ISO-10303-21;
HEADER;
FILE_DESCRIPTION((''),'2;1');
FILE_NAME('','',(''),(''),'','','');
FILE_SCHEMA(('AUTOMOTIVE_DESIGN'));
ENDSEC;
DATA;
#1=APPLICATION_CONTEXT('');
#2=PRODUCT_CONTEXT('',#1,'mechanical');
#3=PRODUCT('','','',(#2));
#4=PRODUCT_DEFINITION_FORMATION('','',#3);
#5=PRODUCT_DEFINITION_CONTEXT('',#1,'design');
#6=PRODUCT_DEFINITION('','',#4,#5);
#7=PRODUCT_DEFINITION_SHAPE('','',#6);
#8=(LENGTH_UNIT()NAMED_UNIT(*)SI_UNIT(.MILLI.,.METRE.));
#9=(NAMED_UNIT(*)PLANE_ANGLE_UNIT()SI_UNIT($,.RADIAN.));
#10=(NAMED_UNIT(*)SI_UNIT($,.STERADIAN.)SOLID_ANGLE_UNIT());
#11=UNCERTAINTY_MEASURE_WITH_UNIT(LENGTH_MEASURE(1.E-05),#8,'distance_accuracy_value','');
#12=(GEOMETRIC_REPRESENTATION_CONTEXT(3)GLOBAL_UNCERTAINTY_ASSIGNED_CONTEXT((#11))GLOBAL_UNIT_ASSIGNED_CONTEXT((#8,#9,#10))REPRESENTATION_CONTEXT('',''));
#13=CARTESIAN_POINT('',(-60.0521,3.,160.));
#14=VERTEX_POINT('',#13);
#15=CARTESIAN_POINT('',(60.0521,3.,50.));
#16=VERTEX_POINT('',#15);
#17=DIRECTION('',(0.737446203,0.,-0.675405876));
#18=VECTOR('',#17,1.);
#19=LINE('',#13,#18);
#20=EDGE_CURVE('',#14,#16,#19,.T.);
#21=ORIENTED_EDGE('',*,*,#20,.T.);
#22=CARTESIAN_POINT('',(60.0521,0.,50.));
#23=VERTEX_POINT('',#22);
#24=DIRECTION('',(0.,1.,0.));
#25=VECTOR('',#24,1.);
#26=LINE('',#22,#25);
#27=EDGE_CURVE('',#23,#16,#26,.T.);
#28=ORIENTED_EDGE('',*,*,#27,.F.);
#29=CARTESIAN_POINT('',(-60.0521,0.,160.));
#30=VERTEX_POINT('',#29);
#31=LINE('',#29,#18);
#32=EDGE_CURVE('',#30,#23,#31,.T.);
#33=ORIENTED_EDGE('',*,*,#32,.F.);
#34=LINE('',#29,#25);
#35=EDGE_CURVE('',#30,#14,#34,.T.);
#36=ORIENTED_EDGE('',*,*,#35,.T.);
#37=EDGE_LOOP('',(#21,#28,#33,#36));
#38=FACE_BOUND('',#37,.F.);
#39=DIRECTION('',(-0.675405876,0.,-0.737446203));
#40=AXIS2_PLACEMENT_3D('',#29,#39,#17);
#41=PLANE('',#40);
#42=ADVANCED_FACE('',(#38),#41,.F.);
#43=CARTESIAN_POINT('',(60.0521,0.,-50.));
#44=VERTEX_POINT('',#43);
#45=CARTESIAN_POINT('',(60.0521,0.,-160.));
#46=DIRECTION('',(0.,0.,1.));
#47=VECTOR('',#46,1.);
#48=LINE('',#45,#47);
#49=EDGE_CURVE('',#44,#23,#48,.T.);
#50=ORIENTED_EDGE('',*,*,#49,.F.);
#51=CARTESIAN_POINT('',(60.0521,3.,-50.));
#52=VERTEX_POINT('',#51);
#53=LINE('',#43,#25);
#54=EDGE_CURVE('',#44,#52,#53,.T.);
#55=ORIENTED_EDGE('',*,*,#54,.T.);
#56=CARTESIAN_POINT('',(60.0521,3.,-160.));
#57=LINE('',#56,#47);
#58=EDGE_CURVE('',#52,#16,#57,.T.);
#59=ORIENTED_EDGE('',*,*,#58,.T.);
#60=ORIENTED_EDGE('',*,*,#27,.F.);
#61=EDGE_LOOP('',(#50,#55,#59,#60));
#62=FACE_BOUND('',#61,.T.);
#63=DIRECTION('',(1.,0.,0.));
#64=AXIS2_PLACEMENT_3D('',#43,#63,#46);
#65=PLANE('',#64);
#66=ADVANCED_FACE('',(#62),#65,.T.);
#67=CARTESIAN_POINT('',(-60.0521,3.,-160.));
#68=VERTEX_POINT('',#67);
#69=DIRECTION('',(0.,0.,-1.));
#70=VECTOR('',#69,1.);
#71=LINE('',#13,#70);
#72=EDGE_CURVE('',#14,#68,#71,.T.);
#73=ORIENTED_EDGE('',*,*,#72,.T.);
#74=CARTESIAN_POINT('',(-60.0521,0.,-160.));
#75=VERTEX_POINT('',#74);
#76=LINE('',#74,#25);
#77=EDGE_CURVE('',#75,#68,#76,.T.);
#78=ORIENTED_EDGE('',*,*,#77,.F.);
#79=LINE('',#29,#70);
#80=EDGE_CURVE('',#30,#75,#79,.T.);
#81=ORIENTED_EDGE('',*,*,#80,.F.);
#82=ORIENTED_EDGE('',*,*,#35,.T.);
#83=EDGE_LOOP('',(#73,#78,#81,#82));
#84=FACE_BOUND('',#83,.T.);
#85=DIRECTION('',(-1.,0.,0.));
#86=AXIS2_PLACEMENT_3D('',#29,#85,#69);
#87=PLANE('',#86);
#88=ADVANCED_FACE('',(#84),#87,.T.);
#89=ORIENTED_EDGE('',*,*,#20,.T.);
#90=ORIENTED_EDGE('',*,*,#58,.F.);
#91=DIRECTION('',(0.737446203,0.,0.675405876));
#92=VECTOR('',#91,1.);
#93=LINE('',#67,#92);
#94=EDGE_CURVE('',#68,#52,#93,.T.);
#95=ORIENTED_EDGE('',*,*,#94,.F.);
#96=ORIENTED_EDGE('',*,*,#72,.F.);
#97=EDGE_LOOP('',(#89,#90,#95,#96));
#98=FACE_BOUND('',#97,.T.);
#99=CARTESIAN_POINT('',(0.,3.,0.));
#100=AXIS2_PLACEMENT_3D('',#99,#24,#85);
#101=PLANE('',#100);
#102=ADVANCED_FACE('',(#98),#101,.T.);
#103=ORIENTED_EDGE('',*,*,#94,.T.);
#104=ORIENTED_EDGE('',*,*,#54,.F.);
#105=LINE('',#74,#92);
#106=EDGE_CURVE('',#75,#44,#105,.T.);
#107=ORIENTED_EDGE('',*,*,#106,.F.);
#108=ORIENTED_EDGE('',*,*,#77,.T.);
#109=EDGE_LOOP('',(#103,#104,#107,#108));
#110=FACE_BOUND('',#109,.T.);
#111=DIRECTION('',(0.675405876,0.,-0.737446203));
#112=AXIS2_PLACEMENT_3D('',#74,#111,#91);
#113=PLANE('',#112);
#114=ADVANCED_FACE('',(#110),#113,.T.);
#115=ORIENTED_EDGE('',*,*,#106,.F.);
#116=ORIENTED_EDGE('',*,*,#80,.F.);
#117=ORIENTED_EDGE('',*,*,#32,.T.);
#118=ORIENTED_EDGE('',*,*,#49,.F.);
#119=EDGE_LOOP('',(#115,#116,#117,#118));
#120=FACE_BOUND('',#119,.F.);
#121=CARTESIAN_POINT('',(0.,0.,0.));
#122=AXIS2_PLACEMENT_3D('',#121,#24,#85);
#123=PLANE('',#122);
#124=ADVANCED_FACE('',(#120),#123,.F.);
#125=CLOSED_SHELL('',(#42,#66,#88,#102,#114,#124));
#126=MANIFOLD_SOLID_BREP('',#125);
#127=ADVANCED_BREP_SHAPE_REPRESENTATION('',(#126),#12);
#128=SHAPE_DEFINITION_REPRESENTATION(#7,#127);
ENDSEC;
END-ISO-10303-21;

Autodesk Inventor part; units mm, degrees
ref_plane "YZ Plane" through (0, 0, 0) normal (1, 0, 0) x (0, 1, 0)
ref_plane "XZ Plane" through (0, 0, 0) normal (0, 1, 0) x (-1, 0, 0)
ref_plane "XY Plane" through (0, 0, 0) normal (0, 0, 1) x (1, 0, 0)
sketch "Sketch1" plane through (0, 0, 0) normal (0, 1, 0) x (-1, 0, 0)
  line L0 (-60.0521, 160) -> (60.0521, 160)
  line L1 (60.0521, 160) -> (60.0521, -160)
  line L2 (60.0521, -160) -> (-60.0521, -160)
  line L3 (-60.0521, -160) -> (-60.0521, 160)
  line L4 (-60.0521, 160) -> (60.0521, -160) construction
  line L5 (60.0521, 160) -> (-60.0521, -160) construction
  line L6 (60.0521, 160) -> (-60.0521, 50)
  line L7 (60.0521, -160) -> (-60.0521, -50)
  point P0 (0, 0)
  dimension "d0" = 320
  dimension "d2" = 100
  dimension "d3" = 50
  dimension "d6" = 162.865
  dimension "d7" = 162.865
extrude "Extrusion1" add sketch "Sketch1" along normal blind 3 contours L1 L7 L3 L6
properties part number "FLU-SidePlatesRS3"
